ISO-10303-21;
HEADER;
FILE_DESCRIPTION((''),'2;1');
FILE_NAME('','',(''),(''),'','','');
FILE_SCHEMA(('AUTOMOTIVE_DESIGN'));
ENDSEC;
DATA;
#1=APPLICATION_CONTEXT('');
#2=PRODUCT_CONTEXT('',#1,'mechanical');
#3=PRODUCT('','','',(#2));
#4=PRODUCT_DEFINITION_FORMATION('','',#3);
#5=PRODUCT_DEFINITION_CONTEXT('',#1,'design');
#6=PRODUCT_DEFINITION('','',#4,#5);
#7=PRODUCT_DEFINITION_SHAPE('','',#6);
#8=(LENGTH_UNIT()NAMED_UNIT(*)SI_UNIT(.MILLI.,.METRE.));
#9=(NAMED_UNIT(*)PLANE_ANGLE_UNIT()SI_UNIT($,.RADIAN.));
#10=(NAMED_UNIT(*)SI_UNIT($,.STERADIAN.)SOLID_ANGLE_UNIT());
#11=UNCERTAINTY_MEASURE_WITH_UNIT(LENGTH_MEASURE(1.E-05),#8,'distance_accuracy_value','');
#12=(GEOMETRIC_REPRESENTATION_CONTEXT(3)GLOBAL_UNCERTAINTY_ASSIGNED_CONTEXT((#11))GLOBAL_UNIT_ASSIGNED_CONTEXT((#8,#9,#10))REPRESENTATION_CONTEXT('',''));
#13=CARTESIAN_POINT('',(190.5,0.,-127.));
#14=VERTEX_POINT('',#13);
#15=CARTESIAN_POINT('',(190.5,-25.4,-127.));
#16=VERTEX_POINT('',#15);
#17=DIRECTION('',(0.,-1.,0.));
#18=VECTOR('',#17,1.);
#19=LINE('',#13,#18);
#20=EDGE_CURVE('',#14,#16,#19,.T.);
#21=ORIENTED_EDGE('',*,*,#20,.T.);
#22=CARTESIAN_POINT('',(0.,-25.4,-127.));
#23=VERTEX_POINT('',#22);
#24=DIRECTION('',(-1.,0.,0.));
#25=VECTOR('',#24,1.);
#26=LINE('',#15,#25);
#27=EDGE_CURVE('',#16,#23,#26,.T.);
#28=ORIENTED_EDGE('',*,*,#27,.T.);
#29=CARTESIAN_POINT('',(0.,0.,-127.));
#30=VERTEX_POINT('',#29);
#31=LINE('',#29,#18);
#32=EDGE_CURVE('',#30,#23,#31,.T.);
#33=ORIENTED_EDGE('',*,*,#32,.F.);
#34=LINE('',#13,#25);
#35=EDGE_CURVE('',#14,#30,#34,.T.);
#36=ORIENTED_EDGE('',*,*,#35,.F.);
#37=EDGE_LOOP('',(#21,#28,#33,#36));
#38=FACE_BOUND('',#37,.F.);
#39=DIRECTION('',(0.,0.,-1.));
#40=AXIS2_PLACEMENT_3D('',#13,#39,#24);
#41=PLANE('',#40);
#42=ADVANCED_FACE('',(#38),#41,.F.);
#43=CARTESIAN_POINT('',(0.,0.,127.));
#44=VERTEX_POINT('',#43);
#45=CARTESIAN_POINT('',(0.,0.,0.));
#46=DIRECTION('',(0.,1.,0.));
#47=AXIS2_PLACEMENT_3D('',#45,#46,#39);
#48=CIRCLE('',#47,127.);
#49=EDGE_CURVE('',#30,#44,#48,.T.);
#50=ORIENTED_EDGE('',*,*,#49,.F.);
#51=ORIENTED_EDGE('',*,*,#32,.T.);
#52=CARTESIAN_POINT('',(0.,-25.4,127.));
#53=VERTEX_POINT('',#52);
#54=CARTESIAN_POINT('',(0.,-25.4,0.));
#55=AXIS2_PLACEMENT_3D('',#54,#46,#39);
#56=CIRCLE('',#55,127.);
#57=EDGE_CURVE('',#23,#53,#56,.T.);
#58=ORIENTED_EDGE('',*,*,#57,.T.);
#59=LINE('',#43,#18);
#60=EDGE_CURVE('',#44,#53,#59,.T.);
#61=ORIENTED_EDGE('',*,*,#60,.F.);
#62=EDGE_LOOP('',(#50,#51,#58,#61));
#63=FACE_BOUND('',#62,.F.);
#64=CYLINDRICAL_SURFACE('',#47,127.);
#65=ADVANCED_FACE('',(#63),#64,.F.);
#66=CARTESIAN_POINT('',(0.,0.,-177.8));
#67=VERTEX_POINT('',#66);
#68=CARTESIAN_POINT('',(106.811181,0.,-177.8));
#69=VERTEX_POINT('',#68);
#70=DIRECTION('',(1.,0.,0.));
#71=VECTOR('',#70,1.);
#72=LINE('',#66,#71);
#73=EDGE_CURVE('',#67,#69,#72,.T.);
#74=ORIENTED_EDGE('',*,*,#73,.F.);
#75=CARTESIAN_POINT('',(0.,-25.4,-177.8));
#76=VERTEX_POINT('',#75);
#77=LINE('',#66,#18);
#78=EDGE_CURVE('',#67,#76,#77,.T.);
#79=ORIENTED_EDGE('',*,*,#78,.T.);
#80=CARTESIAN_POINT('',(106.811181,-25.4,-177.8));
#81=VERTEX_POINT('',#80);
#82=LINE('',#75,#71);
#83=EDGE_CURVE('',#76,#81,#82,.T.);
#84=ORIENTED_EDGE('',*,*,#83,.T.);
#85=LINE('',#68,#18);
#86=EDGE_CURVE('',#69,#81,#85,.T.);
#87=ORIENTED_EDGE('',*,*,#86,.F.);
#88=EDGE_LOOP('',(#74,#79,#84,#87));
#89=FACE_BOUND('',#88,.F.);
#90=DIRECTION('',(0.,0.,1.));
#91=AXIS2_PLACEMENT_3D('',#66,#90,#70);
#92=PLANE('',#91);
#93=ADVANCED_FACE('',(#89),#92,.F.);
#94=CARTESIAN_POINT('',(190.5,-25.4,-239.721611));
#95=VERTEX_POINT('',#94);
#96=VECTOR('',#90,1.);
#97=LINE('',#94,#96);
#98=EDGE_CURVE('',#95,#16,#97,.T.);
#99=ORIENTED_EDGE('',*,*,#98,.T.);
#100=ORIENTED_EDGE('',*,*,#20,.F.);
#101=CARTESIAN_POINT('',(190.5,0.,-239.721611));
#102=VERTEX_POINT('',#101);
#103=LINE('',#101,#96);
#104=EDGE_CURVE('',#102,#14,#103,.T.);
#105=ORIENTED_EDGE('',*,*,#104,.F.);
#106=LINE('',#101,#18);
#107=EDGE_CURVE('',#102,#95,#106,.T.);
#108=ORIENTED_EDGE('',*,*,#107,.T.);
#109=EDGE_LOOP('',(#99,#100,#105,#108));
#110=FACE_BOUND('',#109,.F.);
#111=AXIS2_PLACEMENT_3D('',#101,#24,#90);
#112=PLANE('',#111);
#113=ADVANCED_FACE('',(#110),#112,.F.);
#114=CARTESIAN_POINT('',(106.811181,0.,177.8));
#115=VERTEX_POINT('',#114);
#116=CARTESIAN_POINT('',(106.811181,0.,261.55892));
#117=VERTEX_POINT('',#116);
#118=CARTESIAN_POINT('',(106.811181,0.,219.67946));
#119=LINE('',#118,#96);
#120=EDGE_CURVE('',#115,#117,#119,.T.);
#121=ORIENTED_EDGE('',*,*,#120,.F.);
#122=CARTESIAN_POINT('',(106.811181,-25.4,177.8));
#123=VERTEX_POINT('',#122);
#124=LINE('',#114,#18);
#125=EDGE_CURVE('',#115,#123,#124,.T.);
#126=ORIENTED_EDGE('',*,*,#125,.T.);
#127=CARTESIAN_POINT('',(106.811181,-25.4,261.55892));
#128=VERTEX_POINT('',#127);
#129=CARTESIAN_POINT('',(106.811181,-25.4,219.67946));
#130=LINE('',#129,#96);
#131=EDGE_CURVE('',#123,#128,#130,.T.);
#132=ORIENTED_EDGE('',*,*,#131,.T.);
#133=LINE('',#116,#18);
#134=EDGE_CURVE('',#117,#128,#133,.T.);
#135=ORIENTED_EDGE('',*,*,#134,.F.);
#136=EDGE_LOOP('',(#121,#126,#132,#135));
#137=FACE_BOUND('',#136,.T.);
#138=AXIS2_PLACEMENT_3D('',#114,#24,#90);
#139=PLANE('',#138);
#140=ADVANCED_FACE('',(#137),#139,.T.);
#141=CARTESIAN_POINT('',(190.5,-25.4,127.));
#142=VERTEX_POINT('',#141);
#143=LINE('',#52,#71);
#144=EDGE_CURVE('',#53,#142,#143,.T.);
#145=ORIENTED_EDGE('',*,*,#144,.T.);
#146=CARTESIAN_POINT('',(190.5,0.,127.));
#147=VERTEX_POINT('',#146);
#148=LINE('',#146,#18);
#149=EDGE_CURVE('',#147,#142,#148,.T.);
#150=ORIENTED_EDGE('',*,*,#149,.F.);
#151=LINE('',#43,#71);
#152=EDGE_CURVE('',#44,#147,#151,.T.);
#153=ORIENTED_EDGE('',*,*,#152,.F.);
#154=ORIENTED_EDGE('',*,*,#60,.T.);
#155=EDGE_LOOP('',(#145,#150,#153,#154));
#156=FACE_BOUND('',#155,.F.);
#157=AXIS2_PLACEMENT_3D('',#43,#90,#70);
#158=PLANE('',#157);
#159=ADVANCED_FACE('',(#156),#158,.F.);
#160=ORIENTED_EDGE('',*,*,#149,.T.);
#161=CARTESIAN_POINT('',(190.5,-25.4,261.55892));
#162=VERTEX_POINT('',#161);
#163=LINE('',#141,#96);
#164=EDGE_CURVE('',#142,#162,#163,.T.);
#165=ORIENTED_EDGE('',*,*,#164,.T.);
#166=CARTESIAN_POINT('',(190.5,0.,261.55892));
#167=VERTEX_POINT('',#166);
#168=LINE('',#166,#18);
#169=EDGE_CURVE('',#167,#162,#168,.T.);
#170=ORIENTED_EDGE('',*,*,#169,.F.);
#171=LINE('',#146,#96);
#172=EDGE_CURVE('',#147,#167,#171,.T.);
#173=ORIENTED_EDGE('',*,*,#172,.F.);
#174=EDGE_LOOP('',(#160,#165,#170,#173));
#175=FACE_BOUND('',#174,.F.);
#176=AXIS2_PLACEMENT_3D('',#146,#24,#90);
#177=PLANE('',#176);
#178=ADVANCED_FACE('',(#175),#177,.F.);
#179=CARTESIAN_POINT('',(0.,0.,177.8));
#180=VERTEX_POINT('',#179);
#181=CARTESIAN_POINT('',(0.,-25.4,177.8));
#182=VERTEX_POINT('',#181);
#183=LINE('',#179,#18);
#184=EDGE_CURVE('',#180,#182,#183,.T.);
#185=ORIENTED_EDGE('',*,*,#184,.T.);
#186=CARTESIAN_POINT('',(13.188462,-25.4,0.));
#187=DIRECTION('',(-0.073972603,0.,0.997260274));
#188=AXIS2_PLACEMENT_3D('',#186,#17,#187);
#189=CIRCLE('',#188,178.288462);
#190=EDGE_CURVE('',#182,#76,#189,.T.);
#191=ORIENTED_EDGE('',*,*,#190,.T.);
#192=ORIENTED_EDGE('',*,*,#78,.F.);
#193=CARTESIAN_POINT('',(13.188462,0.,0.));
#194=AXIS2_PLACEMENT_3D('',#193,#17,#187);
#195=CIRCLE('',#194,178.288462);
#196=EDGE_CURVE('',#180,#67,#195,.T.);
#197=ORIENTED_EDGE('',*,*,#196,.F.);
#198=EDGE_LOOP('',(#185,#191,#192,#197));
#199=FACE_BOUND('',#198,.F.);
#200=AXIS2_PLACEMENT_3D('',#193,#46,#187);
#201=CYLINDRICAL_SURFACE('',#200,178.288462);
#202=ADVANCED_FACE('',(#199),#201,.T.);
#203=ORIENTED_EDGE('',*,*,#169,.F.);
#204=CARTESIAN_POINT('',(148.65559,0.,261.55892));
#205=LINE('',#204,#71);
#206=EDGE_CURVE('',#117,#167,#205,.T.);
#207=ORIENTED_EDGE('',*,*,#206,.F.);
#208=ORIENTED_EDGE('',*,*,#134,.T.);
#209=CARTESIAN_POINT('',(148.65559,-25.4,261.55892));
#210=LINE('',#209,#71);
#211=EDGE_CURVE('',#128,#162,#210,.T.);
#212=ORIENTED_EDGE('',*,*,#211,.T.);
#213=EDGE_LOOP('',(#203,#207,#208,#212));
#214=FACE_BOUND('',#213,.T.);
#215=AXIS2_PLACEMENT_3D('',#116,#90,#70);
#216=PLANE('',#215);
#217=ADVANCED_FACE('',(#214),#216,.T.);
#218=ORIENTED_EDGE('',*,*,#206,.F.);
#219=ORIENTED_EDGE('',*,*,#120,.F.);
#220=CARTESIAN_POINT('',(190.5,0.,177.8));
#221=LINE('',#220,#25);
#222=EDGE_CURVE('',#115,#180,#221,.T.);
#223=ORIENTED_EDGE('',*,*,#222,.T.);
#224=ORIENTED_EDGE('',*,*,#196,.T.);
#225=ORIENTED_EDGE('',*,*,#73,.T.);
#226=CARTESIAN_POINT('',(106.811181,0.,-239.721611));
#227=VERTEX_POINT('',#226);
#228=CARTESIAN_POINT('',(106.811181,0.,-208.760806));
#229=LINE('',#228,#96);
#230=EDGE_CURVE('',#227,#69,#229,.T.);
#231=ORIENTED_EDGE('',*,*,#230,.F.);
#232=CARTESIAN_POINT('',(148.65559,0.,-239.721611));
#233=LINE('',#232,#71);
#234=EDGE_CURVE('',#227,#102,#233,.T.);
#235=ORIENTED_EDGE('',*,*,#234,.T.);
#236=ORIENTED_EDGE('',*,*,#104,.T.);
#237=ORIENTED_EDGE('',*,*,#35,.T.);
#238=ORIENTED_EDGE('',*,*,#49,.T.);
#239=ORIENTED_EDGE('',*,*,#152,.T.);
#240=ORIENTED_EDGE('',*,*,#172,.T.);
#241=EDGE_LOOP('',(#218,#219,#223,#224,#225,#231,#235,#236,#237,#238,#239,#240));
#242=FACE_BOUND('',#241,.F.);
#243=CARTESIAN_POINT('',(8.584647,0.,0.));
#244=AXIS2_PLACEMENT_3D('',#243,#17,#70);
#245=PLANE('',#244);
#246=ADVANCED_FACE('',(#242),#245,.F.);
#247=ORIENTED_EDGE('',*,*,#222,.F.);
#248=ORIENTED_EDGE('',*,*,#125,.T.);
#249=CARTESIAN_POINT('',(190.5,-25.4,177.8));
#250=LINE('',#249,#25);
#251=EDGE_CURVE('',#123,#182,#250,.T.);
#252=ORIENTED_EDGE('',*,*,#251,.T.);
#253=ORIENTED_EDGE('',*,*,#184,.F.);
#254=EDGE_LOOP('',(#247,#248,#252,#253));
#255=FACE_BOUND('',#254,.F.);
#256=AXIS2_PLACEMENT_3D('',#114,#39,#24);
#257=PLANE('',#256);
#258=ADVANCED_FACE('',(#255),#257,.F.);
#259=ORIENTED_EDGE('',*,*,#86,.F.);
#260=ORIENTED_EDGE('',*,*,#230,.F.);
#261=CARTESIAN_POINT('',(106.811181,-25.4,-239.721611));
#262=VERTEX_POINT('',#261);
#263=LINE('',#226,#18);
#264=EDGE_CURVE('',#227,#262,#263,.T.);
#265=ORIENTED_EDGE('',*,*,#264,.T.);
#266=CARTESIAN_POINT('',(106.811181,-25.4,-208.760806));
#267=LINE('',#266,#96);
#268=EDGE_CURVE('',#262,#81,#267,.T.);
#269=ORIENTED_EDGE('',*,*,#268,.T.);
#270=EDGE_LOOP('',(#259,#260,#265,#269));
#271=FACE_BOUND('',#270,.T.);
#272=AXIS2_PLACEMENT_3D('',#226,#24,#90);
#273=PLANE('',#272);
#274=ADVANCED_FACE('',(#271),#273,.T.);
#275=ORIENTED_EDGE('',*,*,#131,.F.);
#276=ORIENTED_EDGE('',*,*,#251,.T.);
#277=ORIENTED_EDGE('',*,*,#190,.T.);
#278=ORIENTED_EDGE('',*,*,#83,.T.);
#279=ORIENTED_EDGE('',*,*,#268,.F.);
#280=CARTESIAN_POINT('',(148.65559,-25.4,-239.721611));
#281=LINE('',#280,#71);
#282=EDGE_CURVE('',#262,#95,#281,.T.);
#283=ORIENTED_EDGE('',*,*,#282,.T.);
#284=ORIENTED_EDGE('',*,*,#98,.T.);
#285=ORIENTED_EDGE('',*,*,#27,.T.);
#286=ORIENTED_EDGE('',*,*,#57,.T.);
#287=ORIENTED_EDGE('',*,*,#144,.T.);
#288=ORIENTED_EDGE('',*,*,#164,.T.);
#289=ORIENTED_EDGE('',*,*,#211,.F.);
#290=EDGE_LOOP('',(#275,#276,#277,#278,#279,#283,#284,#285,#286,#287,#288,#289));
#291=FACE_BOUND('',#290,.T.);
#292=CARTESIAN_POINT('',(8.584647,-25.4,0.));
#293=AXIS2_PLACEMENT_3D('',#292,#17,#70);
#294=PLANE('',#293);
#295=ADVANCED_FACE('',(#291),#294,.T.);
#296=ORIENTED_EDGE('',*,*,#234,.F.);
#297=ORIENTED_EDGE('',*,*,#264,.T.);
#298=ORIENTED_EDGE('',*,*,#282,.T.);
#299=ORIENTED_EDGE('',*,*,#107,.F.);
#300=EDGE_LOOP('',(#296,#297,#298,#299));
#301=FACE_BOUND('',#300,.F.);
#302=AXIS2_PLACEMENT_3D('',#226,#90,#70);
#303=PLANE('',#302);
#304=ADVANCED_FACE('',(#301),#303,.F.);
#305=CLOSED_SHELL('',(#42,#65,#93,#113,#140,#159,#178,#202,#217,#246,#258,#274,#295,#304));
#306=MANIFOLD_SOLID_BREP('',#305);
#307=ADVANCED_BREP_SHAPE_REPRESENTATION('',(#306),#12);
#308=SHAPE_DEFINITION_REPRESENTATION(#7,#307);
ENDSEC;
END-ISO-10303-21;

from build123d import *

# Parameters (mm, degrees)
F0_W     = 83.6888192892
F0_H     = 83.758920145
F0_H_2   = 61.9216111422
F1_DEPTH = 25.4


with BuildPart() as f1:
    # F0 (on Front) → F1 (new body)
    with BuildSketch(Plane.XZ):
        with BuildLine():
            Line((190.5, 127), (190.5, 177.8))
            Line((190.5, 177.8), (106.8111807108, 177.8))
            Line((106.8111807108, 177.8), (0, 177.8))
            ThreePointArc((0, 177.8), (-165.1, 0), (0, -177.8))
            Line((0, -177.8), (106.8111807108, -177.8))
            Line((106.8111807108, -177.8), (190.5, -177.8))
            Line((190.5, -177.8), (190.5, -127))
            Line((190.5, -127), (0, -127))
            ThreePointArc((0, -127), (-127, 0), (0, 127))
            Line((0, 127), (190.5, 127))
        make_face()
        with Locations((148.6555903554, 219.6794600725)):
            Rectangle(F0_W, F0_H)
        with Locations((148.6555903554, -208.7608055711)):
            Rectangle(F0_W, F0_H_2)
    extrude(amount=F1_DEPTH)


solid = f1.part
